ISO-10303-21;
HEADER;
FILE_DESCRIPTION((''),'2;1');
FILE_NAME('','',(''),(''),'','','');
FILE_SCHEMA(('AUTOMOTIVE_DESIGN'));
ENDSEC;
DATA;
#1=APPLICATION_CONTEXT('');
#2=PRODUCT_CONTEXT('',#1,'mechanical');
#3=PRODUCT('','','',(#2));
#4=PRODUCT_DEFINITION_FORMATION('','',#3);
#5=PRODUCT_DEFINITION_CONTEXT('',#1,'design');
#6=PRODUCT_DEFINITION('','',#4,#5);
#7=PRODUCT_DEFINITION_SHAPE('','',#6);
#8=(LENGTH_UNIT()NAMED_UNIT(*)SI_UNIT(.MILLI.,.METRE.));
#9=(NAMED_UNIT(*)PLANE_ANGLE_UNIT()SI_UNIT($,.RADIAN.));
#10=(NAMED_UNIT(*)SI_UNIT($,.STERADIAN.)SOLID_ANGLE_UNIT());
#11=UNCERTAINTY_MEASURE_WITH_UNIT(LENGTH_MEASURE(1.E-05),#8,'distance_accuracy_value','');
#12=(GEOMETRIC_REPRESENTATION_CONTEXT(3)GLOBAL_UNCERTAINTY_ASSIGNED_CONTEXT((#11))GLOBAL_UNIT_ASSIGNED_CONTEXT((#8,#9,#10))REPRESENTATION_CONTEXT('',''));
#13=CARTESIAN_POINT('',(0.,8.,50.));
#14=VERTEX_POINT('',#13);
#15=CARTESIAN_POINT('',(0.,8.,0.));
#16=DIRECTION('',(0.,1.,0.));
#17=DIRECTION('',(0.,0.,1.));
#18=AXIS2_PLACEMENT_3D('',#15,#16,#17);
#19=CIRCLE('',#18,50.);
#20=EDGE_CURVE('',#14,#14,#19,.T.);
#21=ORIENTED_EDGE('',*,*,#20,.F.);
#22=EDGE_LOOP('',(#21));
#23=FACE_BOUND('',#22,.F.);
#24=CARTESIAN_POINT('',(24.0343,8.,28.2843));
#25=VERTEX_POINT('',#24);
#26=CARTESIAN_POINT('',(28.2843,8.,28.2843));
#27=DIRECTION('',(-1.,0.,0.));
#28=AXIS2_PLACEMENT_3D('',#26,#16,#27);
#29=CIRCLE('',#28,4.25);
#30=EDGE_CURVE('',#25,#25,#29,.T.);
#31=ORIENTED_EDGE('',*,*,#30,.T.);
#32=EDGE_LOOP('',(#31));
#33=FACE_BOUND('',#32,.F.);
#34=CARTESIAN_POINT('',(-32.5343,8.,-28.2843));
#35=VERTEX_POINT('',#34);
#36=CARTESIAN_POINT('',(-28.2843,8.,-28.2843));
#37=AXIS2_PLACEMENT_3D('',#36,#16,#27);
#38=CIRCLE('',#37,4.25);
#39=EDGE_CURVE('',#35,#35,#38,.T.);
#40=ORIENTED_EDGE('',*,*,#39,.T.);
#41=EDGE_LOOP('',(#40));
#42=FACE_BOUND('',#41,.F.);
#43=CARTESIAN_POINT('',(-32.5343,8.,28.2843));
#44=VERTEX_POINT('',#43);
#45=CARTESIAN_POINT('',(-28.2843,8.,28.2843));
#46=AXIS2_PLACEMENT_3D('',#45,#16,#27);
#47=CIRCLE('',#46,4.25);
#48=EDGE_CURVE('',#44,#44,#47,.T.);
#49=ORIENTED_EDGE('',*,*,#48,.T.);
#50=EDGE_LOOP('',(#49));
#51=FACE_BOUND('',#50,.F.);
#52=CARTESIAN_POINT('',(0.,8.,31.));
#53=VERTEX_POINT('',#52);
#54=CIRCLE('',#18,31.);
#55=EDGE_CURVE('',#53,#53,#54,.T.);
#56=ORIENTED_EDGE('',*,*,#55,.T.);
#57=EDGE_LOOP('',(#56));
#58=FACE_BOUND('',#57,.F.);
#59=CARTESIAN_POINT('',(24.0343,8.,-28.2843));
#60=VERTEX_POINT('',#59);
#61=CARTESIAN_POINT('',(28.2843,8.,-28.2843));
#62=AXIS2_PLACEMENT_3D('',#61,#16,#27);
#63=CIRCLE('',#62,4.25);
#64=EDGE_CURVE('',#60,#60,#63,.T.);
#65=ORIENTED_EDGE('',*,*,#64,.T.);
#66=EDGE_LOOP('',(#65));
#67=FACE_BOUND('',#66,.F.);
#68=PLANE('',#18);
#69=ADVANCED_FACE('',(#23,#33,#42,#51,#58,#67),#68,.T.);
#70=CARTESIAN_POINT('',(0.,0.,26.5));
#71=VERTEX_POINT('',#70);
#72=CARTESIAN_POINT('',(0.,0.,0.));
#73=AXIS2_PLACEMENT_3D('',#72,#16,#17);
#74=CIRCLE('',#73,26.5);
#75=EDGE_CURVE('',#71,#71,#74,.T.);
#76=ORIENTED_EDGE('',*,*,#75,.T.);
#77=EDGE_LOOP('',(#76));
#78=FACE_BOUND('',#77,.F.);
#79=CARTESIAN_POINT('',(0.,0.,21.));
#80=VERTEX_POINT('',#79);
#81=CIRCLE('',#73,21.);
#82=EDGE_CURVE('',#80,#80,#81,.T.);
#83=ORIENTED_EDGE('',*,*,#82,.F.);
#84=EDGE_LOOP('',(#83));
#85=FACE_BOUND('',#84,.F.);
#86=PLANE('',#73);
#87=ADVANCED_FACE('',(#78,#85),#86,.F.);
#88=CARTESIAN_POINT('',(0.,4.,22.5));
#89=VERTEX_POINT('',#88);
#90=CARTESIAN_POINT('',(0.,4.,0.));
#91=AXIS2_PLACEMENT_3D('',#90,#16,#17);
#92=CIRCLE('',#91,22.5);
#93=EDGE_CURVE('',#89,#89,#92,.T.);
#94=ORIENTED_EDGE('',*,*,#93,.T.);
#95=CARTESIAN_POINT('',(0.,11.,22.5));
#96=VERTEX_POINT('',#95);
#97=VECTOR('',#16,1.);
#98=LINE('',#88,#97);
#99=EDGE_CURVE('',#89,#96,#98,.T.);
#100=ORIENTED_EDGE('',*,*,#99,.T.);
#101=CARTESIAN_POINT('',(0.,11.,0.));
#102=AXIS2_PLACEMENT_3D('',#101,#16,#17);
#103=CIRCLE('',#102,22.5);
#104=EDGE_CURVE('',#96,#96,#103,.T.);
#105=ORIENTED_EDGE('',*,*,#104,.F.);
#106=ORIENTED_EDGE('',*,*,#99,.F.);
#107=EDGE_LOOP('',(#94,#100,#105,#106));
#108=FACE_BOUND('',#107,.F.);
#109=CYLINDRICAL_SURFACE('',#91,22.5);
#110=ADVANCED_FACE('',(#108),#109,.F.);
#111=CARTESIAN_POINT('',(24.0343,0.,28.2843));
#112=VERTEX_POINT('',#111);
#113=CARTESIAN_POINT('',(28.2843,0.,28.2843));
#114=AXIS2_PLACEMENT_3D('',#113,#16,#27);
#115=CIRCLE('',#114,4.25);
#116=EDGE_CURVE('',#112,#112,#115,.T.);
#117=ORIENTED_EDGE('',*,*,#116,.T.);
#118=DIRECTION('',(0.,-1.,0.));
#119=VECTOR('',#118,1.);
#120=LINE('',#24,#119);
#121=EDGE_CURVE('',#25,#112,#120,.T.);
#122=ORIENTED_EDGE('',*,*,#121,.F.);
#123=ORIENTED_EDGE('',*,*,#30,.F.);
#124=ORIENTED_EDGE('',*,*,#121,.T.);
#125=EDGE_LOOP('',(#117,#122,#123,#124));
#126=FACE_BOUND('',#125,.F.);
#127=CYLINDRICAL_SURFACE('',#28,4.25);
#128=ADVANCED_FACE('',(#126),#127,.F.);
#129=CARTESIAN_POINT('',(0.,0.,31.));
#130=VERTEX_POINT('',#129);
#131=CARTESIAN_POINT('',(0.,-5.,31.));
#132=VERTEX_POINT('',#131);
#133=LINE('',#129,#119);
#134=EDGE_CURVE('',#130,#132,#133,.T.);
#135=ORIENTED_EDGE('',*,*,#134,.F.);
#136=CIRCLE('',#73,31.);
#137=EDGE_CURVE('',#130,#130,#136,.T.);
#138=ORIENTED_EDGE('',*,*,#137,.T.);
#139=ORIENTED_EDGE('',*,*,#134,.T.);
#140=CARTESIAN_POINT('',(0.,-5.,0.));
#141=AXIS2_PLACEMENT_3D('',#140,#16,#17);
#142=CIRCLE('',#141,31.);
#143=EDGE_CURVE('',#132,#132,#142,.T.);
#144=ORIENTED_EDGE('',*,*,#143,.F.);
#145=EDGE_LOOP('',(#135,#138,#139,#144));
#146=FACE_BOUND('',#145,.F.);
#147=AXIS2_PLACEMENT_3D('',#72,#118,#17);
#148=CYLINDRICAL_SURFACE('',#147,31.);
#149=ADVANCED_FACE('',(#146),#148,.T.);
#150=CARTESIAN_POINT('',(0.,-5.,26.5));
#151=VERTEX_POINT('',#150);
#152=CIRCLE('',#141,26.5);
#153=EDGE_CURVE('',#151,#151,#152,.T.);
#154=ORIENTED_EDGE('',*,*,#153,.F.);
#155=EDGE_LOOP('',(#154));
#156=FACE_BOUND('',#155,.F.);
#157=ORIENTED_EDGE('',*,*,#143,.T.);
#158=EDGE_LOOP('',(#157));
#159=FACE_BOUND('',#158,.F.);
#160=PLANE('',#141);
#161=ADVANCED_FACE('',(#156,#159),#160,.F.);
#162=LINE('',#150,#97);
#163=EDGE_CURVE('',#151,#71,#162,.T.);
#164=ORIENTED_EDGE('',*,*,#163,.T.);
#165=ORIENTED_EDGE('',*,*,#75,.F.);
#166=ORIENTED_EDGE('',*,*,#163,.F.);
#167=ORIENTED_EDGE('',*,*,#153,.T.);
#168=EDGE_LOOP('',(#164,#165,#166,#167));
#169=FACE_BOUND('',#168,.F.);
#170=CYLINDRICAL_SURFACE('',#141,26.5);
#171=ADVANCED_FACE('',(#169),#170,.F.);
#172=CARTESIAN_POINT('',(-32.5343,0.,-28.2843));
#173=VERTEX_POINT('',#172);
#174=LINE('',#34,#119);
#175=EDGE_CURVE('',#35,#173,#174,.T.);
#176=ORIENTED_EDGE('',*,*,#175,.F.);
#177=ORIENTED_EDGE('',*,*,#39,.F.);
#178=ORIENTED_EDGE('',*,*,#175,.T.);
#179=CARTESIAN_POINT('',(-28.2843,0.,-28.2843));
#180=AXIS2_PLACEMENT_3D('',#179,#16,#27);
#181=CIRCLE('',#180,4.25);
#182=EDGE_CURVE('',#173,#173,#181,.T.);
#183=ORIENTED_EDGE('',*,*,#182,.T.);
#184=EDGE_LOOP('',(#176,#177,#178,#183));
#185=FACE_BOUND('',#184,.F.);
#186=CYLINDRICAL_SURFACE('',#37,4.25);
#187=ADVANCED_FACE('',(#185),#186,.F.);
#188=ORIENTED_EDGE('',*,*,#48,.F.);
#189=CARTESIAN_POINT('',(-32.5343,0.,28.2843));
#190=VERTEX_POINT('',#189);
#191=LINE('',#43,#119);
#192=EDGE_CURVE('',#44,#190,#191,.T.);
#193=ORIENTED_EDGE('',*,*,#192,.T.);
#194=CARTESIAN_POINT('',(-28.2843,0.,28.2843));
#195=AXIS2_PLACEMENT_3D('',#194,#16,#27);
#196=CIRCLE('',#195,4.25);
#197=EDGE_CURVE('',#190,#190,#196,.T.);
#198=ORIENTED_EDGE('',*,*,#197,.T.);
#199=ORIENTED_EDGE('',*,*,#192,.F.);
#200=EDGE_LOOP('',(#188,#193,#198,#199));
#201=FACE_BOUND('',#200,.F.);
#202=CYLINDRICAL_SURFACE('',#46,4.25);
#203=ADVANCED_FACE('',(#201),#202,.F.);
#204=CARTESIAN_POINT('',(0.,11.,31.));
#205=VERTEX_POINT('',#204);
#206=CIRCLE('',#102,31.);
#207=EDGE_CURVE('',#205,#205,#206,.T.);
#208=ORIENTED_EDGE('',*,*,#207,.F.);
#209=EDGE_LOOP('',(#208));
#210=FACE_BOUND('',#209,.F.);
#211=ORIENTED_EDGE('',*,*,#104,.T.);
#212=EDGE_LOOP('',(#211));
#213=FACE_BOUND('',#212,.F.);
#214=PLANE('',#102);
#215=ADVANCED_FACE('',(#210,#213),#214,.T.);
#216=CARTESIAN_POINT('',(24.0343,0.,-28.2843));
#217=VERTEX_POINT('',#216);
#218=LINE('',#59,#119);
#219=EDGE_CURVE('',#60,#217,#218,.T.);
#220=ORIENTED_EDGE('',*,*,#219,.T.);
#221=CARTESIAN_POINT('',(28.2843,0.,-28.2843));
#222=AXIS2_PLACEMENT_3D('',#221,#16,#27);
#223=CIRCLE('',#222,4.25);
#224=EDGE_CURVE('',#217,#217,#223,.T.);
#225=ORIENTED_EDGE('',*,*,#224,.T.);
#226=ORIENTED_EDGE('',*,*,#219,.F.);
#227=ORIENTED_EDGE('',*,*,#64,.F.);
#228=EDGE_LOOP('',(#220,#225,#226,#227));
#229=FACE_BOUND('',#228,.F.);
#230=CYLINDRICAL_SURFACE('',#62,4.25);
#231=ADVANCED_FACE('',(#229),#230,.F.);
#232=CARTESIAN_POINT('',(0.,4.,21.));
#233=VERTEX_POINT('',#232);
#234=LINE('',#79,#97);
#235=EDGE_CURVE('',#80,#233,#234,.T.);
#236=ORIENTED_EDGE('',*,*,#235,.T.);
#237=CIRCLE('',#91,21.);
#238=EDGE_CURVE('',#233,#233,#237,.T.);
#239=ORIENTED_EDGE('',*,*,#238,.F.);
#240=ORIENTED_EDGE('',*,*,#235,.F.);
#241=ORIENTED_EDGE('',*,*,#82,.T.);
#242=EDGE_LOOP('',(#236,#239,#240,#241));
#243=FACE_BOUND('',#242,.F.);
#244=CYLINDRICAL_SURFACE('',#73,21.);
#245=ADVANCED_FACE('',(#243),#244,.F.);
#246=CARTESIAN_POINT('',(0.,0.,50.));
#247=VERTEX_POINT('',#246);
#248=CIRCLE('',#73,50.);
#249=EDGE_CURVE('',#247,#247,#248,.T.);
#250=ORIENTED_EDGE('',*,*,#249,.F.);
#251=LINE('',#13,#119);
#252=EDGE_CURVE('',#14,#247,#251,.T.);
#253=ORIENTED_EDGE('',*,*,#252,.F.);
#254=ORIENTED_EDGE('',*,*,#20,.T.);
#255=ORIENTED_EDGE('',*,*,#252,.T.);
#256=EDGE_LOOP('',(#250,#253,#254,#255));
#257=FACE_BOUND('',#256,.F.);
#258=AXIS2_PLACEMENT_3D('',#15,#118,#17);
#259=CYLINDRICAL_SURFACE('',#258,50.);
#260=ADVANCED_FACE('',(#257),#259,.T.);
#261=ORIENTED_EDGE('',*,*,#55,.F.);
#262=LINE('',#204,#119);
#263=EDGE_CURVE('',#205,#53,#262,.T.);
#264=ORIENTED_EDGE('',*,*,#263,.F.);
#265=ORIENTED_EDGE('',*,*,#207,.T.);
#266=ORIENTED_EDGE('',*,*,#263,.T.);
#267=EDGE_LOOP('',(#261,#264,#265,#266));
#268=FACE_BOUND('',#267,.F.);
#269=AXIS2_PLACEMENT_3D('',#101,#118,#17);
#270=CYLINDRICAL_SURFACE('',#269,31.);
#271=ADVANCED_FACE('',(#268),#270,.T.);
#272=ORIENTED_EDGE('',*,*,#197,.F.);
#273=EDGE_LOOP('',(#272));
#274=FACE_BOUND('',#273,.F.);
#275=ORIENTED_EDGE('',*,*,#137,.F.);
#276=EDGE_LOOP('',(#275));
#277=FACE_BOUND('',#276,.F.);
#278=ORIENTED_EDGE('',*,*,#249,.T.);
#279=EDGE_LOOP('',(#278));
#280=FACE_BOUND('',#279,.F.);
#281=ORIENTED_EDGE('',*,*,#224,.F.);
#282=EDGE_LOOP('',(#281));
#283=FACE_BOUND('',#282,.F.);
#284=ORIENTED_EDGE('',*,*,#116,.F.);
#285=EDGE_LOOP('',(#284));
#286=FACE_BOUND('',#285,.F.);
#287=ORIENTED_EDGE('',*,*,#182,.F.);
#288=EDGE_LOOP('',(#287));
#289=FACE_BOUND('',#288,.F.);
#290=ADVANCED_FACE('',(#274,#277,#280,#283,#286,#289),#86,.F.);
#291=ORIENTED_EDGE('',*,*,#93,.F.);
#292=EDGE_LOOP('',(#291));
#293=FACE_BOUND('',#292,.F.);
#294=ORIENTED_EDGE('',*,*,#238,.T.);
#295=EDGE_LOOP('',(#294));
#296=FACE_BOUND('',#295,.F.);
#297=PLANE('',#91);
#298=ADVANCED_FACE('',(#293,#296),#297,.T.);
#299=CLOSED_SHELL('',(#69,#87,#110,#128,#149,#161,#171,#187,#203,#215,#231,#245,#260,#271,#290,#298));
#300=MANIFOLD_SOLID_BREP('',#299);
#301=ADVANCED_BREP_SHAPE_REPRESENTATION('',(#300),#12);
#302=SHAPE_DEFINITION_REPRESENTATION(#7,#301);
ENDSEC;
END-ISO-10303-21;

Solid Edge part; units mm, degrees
sketch "Sketch1" plane through (0, 0, 0) normal (1, 0, 0) x (0, 1, 0)
  line L0 (0, 50) -> (0, 31)
  line L1 (0, 31) -> (-5, 31)
  line L2 (-5, 31) -> (-5, 26.5)
  line L3 (-5, 26.5) -> (0, 26.5)
  line L4 (0, 26.5) -> (0, 21)
  line L5 (0, 21) -> (4, 21)
  line L6 (4, 21) -> (4, 22.5)
  line L7 (4, 22.5) -> (11, 22.5)
  line L8 (11, 22.5) -> (11, 31)
  line L9 (11, 31) -> (8, 31)
  line L10 (8, 32.5) -> (8, 31)
  line L11 (8, 39) -> (8, 32.5)
  line L12 (8, 39) -> (8, 50)
  line L13 (8, 50) -> (0, 50)
revolve "RevolvedProtrusion1" add sketch "Sketch1" angle 360 about axis through (0, -22.1591, 0) along (0, 1, 0)
sketch "Sketch2" plane through (0, 8, 0) normal (0, 1, 0) x (-1, 0, 0)
  circle A0 centre (-28.2843, -28.2843) radius 4.25
  circle A1 centre (-28.2843, 28.2843) radius 4.25
  circle A2 centre (28.2843, 28.2843) radius 4.25
  circle A3 centre (28.2843, -28.2843) radius 4.25
extrude "Cutout1" cut sketch "Sketch2" against normal blind 16.0733
